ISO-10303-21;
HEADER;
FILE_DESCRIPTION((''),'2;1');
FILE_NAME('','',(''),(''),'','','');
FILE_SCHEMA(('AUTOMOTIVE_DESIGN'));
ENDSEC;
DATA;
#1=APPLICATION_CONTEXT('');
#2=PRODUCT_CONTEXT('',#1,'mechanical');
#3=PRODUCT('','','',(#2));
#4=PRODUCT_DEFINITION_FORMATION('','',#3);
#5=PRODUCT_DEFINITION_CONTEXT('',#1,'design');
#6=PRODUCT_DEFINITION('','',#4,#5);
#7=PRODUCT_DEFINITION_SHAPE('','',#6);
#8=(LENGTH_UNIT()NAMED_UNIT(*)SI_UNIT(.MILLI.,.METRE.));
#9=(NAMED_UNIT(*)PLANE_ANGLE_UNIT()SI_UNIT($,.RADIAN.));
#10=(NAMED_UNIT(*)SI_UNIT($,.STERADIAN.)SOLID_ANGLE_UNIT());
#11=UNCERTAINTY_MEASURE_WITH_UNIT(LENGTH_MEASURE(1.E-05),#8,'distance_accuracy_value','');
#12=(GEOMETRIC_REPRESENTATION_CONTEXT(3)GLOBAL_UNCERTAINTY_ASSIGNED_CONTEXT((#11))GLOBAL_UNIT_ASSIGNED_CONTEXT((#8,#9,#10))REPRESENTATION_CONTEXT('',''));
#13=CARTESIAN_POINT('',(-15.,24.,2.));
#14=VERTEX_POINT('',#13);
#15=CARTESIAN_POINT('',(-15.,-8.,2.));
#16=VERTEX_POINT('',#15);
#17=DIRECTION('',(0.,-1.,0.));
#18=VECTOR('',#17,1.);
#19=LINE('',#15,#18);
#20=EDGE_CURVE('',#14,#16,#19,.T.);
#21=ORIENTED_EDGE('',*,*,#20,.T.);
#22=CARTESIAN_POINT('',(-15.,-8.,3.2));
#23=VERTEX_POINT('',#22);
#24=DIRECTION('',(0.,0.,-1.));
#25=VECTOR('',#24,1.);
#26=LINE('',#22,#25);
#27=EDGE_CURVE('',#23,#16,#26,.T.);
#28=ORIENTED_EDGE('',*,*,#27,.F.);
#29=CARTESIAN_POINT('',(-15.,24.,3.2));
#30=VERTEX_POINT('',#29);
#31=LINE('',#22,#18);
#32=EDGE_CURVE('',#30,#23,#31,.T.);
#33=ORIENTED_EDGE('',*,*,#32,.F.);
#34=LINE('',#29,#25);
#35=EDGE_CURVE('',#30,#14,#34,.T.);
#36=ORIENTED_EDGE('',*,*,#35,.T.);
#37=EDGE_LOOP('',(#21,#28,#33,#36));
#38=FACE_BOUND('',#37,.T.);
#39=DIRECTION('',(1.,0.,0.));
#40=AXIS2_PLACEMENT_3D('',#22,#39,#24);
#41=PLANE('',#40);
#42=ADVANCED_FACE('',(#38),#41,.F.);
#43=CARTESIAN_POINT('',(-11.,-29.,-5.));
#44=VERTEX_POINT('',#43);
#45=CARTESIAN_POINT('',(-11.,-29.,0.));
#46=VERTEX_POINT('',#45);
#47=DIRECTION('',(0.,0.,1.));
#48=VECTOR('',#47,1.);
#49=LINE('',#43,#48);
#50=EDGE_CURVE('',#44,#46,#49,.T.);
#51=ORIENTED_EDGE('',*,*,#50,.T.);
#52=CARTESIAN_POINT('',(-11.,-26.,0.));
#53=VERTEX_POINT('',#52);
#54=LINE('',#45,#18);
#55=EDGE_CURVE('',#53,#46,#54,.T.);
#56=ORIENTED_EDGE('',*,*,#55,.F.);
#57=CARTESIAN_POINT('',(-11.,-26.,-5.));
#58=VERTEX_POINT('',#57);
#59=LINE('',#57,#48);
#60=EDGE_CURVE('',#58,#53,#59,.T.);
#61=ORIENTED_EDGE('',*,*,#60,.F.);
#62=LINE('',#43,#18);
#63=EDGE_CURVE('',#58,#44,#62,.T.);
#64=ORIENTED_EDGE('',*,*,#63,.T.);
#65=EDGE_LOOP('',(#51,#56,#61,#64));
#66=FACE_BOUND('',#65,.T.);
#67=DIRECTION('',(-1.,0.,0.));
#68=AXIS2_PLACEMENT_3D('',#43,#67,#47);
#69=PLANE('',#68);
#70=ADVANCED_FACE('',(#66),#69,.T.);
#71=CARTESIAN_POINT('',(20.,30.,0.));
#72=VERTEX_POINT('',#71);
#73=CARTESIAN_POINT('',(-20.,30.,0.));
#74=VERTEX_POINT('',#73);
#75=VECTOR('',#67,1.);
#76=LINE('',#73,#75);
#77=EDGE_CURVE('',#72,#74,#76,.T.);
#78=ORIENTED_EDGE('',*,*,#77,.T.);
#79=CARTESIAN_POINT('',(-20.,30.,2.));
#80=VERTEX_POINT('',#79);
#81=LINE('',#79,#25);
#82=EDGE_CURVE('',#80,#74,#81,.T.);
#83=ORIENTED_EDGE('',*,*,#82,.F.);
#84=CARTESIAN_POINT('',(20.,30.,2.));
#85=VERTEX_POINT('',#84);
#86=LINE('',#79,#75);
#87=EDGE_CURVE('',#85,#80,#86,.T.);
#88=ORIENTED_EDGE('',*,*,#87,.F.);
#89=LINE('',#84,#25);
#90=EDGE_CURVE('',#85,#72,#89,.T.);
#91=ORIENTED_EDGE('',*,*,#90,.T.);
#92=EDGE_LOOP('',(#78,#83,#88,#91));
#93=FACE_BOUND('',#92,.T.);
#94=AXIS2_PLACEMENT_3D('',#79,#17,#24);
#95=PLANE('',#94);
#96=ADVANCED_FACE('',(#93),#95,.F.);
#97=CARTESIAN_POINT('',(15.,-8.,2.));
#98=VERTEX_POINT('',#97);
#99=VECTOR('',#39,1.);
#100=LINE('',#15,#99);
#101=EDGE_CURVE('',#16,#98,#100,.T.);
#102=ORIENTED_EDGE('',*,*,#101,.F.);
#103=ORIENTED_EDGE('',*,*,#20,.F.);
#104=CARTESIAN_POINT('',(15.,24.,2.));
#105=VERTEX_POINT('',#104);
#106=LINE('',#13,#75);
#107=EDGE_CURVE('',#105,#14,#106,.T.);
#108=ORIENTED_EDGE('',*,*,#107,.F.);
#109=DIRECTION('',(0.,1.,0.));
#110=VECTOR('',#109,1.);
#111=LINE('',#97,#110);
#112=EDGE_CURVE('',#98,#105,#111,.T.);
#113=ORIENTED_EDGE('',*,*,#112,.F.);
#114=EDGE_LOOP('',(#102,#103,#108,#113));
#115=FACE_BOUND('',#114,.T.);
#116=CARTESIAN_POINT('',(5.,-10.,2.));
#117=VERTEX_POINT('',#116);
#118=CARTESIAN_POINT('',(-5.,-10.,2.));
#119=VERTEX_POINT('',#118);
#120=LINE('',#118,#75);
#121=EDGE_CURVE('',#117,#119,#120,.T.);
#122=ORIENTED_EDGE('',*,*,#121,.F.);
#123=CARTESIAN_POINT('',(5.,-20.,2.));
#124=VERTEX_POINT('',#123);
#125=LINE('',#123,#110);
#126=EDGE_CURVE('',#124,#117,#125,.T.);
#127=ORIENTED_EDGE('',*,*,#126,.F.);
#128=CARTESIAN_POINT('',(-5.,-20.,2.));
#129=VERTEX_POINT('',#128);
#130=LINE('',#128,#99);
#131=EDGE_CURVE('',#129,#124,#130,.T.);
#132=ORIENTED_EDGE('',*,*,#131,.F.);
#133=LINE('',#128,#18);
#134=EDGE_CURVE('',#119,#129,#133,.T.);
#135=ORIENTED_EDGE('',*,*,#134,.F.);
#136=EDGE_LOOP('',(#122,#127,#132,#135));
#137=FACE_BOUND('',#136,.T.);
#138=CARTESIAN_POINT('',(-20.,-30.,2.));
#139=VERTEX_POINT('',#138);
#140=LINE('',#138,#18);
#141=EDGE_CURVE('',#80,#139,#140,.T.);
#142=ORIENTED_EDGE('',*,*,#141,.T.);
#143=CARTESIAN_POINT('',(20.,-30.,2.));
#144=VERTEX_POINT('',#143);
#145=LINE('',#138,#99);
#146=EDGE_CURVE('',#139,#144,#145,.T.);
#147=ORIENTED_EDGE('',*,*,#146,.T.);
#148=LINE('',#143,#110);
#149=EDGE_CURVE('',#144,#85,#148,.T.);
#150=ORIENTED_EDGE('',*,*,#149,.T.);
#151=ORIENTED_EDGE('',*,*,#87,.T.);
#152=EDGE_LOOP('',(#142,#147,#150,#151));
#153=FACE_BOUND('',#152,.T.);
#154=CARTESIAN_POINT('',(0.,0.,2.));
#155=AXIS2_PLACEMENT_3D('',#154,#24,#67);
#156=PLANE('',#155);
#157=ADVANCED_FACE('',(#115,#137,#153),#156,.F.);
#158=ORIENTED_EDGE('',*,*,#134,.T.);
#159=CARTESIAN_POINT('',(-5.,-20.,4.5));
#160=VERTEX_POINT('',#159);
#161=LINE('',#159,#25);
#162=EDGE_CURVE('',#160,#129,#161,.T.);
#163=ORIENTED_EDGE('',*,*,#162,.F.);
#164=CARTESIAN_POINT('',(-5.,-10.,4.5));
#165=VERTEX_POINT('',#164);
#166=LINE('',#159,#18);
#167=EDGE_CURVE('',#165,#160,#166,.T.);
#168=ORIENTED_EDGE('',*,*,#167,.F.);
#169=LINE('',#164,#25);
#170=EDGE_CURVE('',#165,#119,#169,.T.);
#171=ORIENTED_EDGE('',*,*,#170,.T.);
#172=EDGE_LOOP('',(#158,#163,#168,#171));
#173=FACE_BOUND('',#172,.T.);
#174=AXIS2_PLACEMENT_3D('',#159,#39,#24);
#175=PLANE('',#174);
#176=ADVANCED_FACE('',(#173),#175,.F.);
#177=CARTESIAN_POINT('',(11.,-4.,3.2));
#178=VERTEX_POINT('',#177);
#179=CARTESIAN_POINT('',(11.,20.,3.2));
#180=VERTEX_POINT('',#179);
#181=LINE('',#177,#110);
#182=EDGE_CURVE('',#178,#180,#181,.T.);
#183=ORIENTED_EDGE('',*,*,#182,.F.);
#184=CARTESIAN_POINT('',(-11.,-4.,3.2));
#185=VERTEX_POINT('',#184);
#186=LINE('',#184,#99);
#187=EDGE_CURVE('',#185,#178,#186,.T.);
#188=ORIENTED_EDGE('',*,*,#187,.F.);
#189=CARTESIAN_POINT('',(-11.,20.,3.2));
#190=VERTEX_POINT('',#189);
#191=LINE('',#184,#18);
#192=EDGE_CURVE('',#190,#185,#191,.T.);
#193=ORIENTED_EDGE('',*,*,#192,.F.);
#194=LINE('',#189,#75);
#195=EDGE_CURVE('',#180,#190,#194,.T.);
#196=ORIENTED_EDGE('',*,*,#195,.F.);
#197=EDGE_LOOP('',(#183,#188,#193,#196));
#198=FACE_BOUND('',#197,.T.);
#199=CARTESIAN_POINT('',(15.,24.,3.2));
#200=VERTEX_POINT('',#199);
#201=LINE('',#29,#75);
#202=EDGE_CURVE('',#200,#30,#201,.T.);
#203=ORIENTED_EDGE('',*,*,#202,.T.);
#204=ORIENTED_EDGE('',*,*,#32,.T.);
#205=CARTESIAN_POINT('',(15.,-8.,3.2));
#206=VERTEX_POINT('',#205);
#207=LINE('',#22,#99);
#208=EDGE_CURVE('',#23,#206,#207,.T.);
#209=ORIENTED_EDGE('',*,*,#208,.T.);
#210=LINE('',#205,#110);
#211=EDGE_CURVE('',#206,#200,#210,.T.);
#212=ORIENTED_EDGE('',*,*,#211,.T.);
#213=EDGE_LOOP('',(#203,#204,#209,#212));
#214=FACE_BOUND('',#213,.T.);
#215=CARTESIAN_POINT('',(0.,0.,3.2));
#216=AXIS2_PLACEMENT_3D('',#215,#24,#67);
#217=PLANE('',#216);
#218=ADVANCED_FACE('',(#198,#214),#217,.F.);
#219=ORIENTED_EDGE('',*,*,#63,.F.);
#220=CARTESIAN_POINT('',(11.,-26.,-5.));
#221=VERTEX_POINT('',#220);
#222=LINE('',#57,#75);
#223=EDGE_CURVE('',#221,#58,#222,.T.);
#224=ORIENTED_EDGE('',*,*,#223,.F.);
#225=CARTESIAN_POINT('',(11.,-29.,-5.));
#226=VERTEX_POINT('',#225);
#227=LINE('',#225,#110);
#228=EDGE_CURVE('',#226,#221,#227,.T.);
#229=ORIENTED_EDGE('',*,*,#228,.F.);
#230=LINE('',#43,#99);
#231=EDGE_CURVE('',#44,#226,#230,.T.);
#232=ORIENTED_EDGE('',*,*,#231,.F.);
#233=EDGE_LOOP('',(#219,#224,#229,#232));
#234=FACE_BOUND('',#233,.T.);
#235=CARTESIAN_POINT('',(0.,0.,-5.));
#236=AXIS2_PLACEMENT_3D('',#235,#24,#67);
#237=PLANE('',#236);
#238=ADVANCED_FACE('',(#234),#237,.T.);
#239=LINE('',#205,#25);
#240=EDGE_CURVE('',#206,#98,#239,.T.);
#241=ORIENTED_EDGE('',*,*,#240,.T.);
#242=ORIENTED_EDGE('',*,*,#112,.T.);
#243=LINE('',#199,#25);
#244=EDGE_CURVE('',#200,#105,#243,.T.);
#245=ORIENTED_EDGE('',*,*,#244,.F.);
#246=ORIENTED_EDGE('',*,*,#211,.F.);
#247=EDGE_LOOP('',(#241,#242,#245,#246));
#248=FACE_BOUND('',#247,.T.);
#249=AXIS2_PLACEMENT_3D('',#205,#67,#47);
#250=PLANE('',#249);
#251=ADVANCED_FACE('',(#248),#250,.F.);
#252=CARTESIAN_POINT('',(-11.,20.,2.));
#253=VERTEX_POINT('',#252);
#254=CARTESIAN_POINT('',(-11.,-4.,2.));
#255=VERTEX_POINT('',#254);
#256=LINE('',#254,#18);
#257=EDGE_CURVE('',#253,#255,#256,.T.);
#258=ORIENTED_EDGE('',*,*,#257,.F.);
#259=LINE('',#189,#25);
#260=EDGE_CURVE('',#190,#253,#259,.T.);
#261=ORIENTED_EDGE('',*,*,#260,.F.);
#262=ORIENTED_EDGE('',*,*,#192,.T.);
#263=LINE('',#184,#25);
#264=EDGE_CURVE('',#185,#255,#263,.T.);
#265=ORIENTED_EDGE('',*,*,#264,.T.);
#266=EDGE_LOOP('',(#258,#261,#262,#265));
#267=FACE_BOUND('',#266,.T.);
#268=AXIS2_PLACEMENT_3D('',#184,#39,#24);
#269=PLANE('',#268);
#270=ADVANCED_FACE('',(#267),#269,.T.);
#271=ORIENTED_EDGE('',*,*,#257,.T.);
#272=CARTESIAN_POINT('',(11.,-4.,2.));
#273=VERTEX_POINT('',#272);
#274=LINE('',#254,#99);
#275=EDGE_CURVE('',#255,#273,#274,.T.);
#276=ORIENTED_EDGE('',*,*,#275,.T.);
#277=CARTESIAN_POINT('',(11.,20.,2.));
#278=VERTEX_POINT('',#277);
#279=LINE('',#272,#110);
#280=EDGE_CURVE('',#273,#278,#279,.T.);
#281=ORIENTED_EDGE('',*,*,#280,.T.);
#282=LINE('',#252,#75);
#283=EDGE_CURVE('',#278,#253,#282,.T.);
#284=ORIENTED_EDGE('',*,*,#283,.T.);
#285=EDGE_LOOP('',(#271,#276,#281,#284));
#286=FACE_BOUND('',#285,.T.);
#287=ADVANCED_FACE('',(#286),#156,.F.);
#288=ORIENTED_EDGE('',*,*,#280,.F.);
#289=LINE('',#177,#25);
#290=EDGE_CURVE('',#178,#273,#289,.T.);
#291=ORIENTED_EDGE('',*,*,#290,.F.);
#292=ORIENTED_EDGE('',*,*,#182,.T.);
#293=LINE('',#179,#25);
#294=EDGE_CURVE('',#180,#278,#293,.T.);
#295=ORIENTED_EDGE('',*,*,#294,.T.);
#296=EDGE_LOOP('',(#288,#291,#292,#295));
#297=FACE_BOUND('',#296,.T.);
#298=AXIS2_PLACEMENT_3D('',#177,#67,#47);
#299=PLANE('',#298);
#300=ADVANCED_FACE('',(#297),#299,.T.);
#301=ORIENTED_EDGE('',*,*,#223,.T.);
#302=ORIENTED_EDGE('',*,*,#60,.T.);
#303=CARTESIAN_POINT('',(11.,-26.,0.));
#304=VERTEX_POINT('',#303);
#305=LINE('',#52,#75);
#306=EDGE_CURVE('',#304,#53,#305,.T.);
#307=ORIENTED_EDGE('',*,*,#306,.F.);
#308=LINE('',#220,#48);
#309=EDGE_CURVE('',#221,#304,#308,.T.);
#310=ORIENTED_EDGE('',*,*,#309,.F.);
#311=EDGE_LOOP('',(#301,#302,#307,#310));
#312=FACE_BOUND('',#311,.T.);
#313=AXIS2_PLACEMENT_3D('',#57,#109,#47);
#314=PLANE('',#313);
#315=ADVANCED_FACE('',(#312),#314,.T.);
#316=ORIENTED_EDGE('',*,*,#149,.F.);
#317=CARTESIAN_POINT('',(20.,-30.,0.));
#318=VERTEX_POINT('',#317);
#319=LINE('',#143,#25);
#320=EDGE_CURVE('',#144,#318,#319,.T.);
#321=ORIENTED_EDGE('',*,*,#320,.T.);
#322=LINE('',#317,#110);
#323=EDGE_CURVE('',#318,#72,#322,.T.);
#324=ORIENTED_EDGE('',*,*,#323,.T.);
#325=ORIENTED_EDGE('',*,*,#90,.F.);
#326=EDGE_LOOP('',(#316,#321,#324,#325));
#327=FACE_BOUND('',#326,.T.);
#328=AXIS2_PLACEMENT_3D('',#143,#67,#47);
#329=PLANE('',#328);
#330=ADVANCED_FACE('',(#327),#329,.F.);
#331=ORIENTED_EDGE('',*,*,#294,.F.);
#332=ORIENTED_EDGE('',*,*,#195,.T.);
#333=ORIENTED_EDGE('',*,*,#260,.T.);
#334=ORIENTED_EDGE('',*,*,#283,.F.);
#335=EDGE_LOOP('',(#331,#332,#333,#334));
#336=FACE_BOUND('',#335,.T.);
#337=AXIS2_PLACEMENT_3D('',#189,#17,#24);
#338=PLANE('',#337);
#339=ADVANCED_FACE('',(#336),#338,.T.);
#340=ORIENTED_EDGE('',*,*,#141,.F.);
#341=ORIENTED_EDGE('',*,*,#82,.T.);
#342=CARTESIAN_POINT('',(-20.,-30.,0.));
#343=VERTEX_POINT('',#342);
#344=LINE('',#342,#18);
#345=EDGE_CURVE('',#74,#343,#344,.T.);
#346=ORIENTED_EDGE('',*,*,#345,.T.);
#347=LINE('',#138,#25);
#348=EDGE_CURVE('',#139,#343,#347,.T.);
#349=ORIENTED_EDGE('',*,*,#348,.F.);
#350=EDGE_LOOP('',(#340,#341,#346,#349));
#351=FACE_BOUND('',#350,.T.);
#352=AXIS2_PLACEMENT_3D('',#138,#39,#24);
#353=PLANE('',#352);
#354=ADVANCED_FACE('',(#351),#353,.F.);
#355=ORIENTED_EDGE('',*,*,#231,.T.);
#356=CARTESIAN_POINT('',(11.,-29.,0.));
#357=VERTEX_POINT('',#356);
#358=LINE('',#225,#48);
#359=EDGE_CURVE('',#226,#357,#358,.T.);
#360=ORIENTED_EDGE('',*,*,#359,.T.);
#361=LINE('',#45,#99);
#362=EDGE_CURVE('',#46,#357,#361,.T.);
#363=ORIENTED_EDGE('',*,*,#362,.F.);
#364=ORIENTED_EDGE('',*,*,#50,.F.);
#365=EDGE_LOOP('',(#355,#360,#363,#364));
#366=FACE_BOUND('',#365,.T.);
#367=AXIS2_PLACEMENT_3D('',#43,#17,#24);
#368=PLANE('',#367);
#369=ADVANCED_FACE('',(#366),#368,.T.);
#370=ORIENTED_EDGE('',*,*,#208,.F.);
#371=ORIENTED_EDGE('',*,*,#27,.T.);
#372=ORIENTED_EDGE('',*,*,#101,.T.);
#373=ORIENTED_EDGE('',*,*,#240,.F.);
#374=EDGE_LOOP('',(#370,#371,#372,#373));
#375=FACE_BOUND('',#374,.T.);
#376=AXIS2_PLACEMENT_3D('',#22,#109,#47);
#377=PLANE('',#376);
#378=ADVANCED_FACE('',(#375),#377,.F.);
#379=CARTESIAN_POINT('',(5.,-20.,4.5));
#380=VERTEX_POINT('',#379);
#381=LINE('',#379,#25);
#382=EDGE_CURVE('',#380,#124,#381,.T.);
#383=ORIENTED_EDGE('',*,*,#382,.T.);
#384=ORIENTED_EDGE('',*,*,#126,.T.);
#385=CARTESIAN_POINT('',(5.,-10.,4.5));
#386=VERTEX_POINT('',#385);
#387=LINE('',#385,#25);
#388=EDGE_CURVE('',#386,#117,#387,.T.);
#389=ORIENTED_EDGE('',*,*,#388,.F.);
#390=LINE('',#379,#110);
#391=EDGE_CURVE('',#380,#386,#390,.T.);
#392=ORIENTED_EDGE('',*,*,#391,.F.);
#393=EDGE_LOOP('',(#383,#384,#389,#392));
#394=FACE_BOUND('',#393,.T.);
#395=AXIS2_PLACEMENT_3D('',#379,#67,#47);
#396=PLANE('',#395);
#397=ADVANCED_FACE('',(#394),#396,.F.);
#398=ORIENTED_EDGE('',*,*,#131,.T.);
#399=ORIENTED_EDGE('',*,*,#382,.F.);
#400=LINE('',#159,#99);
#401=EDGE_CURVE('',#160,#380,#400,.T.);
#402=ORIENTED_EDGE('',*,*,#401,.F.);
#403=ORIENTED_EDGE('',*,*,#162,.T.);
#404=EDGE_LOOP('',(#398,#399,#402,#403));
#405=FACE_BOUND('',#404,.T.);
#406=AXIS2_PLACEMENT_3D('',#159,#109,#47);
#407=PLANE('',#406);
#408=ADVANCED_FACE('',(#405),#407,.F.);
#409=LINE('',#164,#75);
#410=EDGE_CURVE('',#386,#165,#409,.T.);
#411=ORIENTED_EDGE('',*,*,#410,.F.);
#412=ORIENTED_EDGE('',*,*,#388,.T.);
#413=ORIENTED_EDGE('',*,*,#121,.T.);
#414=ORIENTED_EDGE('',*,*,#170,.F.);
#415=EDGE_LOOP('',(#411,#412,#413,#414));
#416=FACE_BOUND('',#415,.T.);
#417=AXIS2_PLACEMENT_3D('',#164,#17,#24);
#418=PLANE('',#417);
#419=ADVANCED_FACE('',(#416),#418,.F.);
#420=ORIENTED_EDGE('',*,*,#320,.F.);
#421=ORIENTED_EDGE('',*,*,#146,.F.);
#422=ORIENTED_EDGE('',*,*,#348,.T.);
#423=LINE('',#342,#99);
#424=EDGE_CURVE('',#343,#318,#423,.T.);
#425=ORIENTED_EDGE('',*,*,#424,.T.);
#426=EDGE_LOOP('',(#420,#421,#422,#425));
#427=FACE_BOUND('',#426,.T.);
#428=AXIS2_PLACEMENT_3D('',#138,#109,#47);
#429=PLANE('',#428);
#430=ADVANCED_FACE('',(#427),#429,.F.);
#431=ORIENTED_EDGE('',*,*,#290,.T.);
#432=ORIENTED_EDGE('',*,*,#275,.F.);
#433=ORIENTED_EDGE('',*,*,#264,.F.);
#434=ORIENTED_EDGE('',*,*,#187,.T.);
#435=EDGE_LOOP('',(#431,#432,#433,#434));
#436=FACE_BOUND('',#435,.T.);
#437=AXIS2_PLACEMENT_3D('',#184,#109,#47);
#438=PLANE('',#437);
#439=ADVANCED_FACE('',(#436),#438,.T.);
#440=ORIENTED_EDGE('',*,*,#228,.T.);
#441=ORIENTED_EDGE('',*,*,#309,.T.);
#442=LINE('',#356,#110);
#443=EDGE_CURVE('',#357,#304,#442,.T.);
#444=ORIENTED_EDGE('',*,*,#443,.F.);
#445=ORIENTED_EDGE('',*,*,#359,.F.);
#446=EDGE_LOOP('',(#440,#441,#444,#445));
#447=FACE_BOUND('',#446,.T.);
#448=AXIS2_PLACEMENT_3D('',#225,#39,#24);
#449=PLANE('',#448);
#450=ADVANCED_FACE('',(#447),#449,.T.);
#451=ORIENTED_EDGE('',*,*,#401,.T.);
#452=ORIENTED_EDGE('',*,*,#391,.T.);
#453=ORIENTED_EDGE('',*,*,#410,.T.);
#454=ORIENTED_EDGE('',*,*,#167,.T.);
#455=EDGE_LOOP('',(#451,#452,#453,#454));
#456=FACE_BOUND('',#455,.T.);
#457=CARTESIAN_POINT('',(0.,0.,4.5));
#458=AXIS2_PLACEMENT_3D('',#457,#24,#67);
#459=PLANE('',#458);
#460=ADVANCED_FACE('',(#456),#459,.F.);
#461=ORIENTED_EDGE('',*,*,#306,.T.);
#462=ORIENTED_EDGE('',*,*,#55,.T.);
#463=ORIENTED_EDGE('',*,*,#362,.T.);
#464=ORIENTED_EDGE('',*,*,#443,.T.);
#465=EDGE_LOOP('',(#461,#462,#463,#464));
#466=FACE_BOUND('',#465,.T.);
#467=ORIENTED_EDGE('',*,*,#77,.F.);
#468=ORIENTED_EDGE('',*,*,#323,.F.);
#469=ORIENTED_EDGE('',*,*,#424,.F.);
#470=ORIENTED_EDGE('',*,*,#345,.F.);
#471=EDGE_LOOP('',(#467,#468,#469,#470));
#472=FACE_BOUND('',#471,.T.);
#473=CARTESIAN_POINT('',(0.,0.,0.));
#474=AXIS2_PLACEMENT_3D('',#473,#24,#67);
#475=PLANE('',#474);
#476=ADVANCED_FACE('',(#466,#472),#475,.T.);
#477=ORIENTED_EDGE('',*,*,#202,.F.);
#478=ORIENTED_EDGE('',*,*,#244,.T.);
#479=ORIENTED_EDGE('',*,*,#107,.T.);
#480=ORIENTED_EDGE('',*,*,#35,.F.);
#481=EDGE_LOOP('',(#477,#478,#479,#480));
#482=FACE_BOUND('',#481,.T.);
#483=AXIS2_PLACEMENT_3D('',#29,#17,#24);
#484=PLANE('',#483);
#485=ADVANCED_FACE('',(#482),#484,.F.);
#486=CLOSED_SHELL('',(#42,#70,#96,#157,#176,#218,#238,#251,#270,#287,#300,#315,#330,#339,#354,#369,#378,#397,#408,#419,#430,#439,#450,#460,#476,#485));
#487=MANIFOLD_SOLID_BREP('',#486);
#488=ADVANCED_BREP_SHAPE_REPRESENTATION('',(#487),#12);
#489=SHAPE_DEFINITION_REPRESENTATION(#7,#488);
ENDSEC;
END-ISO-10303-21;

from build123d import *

# Parameters (mm, degrees)
ESQUISSE1_W          = 40
ESQUISSE1_H          = 60
PCB_RFID_RC522_DEPTH = 2
ANTENNE_RFID_START   = 2
ESQUISSE2_W          = 30
ESQUISSE2_H          = 32
ESQUISSE2_W_2        = 22
ESQUISSE2_H_2        = 24
ANTENNE_RFID_DEPTH   = 1.2
PUCE_MFRC522_START   = 2
ESQUISSE3_W          = 10
ESQUISSE3_H          = 10
PUCE_MFRC522_DEPTH   = 2.5
ESQUISSE4_W          = 22
ESQUISSE4_H          = 3
CONNECTEUR_SPI_DEPTH = 5


with BuildPart() as part:
    # Esquisse1 → PCB_RFID_RC522 (new body)
    with BuildSketch(Plane.XY):
        Rectangle(ESQUISSE1_W, ESQUISSE1_H)
    extrude(amount=PCB_RFID_RC522_DEPTH)

    # Esquisse2 → Antenne_RFID (add)
    with BuildSketch(Plane.XY.offset(ANTENNE_RFID_START)):
        with Locations((0, 8)):
            Rectangle(ESQUISSE2_W, ESQUISSE2_H)
        with Locations((0, 8)):
            Rectangle(ESQUISSE2_W_2, ESQUISSE2_H_2, mode=Mode.SUBTRACT)
    extrude(amount=ANTENNE_RFID_DEPTH)

    # Esquisse3 → Puce_MFRC522 (add)
    with BuildSketch(Plane.XY.offset(PUCE_MFRC522_START)):
        with Locations((0, -15)):
            Rectangle(ESQUISSE3_W, ESQUISSE3_H)
    extrude(amount=PUCE_MFRC522_DEPTH)

    # Esquisse4 → Connecteur_SPI (add)
    with BuildSketch(Plane.XY):
        with Locations((0, -27.5)):
            Rectangle(ESQUISSE4_W, ESQUISSE4_H)
    extrude(amount=-CONNECTEUR_SPI_DEPTH)


solid = part.part
